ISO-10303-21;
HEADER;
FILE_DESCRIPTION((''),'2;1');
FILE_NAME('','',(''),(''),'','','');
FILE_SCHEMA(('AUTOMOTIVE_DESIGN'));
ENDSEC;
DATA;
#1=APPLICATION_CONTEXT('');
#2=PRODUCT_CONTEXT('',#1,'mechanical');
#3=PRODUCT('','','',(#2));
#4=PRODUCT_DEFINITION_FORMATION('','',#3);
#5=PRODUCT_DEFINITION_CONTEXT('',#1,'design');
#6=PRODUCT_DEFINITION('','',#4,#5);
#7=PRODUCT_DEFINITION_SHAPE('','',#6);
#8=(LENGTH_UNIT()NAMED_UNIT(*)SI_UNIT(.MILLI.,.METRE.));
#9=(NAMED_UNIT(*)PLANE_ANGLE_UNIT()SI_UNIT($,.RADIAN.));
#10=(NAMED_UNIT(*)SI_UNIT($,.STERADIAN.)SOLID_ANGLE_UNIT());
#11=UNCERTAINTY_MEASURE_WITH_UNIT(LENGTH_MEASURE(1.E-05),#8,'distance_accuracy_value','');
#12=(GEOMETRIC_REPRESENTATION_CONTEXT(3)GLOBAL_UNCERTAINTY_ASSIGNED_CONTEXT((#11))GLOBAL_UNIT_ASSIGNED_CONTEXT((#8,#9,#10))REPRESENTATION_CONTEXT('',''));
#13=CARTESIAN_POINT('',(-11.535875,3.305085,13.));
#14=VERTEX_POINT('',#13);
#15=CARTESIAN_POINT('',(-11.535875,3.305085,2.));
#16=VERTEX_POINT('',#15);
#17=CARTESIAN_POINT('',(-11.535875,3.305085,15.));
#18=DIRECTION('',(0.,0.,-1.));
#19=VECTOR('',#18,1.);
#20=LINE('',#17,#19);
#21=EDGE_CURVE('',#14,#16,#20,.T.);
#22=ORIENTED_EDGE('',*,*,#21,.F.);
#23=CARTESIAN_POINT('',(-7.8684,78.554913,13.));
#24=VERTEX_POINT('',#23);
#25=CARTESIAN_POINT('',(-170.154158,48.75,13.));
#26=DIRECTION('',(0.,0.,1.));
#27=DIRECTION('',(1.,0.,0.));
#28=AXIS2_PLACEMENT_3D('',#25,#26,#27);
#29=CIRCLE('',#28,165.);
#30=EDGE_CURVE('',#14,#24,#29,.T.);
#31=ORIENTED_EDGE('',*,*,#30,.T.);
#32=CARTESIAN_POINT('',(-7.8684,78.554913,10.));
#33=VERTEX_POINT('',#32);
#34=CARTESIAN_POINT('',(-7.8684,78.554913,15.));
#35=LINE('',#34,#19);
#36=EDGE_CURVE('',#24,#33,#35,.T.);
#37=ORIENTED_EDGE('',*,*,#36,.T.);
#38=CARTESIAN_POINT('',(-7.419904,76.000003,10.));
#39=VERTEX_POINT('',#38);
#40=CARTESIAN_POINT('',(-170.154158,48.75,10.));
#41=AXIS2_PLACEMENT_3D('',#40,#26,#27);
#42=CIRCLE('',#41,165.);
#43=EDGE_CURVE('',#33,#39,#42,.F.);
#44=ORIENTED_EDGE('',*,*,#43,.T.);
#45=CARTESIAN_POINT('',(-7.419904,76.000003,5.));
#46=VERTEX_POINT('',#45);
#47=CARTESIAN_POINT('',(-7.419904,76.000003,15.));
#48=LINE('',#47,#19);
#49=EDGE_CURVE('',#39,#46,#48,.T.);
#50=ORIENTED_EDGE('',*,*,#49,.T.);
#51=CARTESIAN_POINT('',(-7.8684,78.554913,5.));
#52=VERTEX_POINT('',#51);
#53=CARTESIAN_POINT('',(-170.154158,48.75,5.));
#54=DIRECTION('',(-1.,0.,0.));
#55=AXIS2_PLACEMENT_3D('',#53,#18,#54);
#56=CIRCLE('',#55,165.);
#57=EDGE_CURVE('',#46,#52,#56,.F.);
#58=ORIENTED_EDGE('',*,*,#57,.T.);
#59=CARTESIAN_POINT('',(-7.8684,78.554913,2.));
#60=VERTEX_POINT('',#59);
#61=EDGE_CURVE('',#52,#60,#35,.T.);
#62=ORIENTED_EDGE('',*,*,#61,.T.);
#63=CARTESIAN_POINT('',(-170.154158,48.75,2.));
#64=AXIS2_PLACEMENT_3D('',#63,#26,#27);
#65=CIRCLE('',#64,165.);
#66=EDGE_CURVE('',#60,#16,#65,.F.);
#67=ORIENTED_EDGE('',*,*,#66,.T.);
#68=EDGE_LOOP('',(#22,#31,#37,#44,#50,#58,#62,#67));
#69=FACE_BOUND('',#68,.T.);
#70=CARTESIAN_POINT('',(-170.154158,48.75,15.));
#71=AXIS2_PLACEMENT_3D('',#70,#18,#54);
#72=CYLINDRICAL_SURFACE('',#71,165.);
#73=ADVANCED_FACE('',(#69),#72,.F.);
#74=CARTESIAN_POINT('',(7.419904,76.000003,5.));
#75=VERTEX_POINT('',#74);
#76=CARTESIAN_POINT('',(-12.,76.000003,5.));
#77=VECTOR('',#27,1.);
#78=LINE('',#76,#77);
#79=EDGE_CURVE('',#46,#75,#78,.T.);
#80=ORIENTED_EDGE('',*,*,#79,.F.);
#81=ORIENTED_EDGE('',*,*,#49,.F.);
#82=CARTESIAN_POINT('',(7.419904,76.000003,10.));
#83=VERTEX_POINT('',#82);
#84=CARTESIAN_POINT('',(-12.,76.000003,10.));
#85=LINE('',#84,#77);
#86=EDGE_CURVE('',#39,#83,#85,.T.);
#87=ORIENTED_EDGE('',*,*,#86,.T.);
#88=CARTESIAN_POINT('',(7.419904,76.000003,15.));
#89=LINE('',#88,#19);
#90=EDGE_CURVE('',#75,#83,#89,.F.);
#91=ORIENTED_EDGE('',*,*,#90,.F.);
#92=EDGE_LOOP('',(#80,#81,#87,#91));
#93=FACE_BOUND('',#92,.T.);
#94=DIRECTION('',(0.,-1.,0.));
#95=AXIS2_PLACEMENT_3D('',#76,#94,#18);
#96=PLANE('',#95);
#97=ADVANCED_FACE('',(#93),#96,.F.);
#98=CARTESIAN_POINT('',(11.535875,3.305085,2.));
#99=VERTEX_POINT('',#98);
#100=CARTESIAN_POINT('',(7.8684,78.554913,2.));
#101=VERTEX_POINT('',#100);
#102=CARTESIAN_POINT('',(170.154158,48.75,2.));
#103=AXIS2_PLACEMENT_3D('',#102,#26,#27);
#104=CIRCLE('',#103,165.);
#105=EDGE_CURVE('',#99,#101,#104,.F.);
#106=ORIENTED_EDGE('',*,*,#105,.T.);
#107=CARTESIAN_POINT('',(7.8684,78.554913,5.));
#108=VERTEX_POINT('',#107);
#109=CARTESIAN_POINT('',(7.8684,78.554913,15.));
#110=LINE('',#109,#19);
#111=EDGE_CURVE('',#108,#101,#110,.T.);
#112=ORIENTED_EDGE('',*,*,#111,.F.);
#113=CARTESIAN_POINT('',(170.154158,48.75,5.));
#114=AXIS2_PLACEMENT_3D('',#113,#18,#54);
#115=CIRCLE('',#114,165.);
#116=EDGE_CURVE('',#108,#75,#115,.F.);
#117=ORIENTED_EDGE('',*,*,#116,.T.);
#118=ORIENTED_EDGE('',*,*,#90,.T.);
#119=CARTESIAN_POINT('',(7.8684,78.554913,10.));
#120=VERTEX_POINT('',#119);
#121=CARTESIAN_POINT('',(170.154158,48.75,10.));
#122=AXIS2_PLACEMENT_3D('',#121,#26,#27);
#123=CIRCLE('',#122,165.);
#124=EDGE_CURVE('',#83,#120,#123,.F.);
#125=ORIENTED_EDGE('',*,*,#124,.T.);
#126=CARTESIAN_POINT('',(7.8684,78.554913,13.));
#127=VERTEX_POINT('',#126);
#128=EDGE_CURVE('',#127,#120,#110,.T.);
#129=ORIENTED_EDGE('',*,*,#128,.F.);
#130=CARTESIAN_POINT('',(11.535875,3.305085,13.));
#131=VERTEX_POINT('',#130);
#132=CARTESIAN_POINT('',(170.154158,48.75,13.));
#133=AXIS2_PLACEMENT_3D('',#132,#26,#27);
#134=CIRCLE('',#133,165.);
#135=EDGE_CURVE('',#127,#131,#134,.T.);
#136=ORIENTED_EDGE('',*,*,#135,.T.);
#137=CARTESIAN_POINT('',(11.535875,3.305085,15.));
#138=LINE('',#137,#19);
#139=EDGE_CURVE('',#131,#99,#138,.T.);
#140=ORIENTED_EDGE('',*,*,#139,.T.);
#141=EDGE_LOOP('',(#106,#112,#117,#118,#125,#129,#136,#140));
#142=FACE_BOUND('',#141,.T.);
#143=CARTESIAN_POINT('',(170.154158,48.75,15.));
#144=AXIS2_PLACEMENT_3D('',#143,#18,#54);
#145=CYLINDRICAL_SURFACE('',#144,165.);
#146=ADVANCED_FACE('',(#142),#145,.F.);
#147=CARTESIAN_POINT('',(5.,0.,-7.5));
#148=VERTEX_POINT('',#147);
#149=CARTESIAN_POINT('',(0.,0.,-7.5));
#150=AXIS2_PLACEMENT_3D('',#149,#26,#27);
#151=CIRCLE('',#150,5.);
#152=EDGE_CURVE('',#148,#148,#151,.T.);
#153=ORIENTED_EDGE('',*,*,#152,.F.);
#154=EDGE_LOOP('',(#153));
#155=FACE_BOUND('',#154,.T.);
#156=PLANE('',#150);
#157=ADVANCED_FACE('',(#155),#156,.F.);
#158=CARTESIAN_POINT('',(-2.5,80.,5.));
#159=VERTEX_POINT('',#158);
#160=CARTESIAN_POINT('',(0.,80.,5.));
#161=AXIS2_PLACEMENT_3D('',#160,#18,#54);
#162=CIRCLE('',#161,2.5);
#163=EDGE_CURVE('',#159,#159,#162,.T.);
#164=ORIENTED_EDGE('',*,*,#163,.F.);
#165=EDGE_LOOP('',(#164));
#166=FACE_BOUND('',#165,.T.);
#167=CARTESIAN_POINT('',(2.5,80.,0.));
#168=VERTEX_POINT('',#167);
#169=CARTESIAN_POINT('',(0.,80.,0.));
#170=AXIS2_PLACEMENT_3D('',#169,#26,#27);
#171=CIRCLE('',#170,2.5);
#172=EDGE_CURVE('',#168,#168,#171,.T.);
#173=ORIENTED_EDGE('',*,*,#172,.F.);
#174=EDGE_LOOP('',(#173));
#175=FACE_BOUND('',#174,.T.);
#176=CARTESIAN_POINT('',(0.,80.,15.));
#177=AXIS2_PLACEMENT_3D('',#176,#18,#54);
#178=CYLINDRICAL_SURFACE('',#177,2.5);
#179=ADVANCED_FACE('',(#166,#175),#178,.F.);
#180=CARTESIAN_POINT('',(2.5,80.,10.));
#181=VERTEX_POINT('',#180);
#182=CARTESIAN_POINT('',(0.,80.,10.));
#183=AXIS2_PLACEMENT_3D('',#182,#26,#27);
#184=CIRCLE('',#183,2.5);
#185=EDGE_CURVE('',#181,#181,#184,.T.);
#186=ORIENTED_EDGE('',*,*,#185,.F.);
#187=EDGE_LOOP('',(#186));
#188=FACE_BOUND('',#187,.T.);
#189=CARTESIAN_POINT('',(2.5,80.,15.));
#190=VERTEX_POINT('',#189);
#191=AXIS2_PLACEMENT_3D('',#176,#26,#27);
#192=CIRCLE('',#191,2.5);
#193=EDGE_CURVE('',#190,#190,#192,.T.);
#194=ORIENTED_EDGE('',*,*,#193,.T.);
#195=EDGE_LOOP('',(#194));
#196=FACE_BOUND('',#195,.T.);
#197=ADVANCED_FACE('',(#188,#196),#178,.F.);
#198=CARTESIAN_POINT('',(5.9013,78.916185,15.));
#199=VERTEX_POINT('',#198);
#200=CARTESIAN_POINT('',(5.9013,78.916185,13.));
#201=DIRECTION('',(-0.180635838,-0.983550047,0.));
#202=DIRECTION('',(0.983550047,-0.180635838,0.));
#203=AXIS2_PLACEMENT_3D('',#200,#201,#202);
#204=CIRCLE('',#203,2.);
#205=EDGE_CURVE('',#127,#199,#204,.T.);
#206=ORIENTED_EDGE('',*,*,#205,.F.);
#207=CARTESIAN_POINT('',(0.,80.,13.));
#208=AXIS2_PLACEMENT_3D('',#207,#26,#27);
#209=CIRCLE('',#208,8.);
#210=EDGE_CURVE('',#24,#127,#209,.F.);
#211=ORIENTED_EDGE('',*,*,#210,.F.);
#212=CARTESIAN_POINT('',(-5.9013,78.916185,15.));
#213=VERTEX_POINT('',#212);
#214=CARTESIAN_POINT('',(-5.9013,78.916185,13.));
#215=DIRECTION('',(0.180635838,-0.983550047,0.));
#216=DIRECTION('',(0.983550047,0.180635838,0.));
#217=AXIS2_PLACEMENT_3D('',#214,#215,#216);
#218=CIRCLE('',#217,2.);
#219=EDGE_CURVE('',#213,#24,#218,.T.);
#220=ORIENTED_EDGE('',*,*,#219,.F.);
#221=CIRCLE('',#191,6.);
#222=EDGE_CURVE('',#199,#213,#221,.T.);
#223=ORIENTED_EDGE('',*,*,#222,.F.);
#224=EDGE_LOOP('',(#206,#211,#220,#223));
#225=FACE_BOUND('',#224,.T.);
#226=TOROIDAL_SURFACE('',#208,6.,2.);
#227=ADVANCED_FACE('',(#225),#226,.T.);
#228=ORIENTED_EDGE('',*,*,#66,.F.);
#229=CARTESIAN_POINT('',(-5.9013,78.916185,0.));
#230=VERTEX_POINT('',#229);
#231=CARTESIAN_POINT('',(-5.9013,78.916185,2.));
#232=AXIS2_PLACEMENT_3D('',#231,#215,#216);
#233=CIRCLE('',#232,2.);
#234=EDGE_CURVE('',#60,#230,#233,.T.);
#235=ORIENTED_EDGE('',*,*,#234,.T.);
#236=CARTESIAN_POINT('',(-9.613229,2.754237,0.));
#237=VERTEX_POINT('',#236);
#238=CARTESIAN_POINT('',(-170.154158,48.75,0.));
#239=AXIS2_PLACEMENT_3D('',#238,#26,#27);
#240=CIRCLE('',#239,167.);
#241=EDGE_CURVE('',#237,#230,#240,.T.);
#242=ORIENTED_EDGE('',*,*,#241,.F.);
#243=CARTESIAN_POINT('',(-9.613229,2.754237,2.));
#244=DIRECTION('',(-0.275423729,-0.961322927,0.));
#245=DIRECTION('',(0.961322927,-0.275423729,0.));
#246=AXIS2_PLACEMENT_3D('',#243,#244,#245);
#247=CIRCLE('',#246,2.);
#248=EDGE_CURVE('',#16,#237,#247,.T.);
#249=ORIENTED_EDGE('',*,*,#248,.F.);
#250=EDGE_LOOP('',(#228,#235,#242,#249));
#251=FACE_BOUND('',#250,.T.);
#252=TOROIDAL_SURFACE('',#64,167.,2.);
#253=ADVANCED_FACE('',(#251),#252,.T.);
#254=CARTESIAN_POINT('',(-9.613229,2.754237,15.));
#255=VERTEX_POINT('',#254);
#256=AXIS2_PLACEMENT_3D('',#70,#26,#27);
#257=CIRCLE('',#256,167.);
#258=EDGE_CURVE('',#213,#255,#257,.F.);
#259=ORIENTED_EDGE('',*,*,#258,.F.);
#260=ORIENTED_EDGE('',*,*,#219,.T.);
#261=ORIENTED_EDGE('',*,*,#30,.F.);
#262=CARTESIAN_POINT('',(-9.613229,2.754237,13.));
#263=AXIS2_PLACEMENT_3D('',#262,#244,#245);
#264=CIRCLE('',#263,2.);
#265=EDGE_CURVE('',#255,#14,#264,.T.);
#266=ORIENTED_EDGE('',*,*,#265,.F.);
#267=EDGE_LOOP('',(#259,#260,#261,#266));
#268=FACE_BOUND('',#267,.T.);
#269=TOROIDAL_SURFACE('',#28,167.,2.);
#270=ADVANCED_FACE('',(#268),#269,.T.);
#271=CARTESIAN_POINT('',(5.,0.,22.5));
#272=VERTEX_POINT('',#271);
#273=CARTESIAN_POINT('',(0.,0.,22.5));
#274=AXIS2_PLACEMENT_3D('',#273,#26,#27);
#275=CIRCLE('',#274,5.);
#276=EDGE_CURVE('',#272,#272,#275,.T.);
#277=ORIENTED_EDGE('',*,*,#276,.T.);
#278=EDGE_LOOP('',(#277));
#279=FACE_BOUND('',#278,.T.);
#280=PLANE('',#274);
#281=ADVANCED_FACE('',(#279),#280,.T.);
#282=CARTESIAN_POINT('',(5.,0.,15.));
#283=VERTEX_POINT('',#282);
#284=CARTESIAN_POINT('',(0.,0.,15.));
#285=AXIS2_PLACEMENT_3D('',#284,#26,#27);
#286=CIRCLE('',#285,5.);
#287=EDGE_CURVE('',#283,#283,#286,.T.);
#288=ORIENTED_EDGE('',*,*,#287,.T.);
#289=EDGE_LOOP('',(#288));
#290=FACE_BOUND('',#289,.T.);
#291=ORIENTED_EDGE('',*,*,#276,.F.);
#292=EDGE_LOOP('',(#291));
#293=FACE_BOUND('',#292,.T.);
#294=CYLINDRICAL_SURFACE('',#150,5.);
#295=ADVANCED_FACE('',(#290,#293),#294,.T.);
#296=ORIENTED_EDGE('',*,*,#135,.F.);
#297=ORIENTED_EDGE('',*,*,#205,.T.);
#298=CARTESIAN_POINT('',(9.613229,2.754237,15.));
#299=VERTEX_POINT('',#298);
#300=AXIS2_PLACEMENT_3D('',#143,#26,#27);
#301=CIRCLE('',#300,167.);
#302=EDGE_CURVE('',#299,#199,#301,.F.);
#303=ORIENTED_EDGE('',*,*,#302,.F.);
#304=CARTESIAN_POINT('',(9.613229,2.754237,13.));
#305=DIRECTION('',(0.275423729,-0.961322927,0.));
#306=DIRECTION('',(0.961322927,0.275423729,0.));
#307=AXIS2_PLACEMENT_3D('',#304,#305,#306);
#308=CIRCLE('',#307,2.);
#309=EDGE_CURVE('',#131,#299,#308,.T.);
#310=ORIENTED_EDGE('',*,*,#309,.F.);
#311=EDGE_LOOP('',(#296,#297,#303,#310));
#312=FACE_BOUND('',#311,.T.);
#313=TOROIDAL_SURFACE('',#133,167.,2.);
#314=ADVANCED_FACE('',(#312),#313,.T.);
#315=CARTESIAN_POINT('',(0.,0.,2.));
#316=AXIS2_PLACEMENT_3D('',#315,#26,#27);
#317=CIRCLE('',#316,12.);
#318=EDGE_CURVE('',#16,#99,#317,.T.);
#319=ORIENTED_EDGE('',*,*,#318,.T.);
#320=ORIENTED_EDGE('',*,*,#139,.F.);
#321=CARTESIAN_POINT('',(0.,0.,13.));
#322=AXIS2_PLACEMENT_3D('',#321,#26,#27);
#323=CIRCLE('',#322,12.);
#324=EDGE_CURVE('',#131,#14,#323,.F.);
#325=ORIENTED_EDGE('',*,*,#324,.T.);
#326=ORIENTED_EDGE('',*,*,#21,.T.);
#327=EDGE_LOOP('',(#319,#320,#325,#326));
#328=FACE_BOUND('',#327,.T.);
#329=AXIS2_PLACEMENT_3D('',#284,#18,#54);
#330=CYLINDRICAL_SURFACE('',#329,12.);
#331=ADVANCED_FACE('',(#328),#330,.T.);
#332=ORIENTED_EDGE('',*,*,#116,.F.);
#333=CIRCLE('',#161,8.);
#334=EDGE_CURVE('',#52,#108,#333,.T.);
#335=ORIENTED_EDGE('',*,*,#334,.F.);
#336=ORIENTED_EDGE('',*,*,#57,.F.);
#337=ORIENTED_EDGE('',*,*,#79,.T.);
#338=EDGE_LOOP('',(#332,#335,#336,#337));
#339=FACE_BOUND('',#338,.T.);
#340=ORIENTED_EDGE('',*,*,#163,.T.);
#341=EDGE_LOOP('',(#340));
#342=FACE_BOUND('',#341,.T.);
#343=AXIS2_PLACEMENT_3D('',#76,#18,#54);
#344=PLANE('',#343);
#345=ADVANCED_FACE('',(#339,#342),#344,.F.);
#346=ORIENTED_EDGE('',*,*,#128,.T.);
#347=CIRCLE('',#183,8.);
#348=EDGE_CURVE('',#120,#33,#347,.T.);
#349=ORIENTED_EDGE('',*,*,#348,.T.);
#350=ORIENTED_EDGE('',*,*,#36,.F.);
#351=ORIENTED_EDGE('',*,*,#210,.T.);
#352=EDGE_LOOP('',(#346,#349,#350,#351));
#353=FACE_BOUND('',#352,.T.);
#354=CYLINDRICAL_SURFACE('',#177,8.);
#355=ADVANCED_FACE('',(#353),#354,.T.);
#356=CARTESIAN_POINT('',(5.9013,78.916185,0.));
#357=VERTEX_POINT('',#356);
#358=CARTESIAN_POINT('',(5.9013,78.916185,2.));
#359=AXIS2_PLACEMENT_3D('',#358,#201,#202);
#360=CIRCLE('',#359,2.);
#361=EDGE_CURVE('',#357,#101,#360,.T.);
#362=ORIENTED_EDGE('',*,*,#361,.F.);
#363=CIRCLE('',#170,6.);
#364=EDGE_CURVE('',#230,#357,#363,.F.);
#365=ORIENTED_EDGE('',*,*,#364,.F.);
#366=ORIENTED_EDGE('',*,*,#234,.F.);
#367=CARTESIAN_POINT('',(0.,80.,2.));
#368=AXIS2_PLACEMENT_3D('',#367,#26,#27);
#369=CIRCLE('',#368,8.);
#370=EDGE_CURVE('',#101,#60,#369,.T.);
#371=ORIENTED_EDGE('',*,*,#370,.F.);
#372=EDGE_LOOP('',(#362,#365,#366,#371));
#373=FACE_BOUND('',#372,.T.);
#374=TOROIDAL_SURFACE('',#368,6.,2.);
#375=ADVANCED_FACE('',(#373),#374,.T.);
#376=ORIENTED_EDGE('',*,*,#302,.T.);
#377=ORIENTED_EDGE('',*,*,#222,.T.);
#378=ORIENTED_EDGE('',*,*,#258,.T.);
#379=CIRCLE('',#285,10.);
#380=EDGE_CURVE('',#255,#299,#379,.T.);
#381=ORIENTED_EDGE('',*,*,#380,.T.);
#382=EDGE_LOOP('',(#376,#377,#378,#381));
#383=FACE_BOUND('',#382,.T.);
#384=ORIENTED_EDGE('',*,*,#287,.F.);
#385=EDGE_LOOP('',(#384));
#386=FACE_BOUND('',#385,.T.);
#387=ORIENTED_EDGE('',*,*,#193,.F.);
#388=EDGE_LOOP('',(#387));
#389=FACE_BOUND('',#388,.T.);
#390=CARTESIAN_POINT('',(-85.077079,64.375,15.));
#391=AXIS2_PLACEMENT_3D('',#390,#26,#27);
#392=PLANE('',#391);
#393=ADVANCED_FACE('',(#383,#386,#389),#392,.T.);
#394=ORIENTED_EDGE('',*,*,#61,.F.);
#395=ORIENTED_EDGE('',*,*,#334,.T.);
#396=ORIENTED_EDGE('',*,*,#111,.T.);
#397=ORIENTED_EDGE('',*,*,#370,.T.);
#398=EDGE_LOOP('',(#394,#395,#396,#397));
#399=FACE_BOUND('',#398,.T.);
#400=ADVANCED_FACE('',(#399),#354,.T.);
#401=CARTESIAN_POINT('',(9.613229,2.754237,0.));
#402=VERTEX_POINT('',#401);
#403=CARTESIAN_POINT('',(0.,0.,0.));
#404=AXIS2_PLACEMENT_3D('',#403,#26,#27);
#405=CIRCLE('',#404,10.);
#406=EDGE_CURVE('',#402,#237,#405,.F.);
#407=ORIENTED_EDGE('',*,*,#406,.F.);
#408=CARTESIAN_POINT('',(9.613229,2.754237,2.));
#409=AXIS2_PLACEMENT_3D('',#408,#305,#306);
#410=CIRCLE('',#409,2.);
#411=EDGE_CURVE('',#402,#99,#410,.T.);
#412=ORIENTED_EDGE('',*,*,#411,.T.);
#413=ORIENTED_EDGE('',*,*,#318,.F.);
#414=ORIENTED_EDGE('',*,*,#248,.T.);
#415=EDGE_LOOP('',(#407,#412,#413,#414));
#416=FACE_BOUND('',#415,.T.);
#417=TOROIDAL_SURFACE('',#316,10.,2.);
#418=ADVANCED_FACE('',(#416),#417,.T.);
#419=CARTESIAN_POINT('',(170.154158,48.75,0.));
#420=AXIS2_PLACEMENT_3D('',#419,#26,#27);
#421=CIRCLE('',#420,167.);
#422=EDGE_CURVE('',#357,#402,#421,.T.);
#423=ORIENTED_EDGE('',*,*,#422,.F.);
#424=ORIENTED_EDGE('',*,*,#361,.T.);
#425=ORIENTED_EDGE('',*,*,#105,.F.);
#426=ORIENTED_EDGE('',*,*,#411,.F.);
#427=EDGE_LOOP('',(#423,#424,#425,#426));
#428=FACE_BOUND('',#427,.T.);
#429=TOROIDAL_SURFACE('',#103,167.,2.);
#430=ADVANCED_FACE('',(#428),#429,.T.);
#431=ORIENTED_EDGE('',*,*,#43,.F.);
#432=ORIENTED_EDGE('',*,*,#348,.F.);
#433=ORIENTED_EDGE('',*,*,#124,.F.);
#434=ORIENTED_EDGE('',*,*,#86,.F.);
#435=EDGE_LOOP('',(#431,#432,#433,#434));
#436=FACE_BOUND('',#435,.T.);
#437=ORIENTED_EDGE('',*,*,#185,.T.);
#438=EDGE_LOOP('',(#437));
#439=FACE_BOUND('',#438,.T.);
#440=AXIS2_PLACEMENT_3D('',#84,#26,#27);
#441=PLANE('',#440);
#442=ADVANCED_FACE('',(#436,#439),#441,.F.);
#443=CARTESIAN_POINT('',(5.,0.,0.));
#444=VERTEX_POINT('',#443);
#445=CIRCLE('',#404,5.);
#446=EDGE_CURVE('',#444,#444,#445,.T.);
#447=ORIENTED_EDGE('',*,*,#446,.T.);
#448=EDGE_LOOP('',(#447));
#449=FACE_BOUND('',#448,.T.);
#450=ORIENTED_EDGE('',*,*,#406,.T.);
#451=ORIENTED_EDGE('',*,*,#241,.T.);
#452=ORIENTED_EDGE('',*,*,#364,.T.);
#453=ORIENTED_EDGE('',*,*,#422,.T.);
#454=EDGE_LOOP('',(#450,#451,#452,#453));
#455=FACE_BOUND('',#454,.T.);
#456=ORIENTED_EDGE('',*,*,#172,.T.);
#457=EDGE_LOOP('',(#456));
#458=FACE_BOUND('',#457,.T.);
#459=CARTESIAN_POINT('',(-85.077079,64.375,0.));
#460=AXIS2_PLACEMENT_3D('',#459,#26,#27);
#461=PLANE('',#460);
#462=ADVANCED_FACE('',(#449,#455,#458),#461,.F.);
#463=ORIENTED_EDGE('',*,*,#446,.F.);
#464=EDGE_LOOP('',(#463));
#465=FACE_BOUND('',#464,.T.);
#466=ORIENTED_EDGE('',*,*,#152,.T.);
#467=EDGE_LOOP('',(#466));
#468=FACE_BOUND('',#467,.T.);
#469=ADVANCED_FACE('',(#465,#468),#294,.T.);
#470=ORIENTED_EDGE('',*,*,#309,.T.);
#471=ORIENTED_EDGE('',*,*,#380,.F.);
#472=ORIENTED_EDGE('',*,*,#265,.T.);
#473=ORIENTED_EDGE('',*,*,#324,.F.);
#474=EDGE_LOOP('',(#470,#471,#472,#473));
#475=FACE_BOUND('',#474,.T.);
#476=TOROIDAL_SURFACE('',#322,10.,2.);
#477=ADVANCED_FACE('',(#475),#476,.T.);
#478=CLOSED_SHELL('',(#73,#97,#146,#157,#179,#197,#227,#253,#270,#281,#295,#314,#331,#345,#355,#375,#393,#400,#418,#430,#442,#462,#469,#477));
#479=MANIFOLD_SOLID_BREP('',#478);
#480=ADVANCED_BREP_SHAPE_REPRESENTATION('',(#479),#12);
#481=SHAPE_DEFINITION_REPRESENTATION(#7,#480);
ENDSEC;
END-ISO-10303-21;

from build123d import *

# Parameters (mm, degrees)
SKETCH1_R                = 2.5
BOSS_EXTRUDE1_DEPTH      = 15
FILLET4_R                = 2
SKETCH9_W                = 5
SKETCH9_H                = 12
CUT_EXTRUDE1_DEPTH       = 13.0000001
CUT_EXTRUDE1_DEPTH_BACK  = 13.0000001
SKETCH10_R               = 5
BOSS_EXTRUDE2_DEPTH      = 22.5
BOSS_EXTRUDE2_DEPTH_BACK = 7.5


with BuildPart() as part:
    # Sketch1 → Boss-Extrude1 (new body)
    with BuildSketch(Plane.XY):
        with BuildLine():
            ThreePointArc((7.868400372, 78.554913295), (0, 88), (-7.868400372, 78.554913295))
            ThreePointArc((-7.868400372, 78.554913295), (-5.349774026, 40.71787649), (-11.535875122, 3.305084746))
            ThreePointArc((-11.535875122, 3.305084746), (0, -12), (11.535875122, 3.305084746))
            ThreePointArc((11.535875122, 3.305084746), (5.349774026, 40.71787649), (7.868400372, 78.554913295))
        make_face()
        with Locations((0, 80)):
            Circle(SKETCH1_R, mode=Mode.SUBTRACT)
    extrude(amount=BOSS_EXTRUDE1_DEPTH)

    # Fillet4
    fillet4_edges = [part.edges().sort_by_distance(p)[0] for p in [
        (5.349774026, 40.71787649, 15),
        (0, 88, 15),
        (-5.349774026, 40.71787649, 15),
        (0, 88, 0),
        (5.349774026, 40.71787649, 0),
        (0, -12, 0),
        (-5.349774026, 40.71787649, 0),
        (0, -12, 15),
    ]]
    fillet(fillet4_edges, radius=FILLET4_R)

    # Sketch9 → Cut-Extrude1 (cut, two sides)
    with BuildSketch(Plane(origin=(0, 0, 0), x_dir=(0, 0, -1), z_dir=(1, 0, 0))) as cut_extrude1_sk:
        with Locations((-7.5, 82.000003295)):
            Rectangle(SKETCH9_W, SKETCH9_H)
    extrude(amount=CUT_EXTRUDE1_DEPTH, mode=Mode.SUBTRACT)
    extrude(cut_extrude1_sk.sketch, amount=-CUT_EXTRUDE1_DEPTH_BACK, mode=Mode.SUBTRACT)

    # Sketch10 → Boss-Extrude2 (add, two sides)
    with BuildSketch(Plane.XY) as boss_extrude2_sk:
        Circle(SKETCH10_R)
    extrude(amount=BOSS_EXTRUDE2_DEPTH)
    extrude(boss_extrude2_sk.sketch, amount=-BOSS_EXTRUDE2_DEPTH_BACK)


solid = part.part
